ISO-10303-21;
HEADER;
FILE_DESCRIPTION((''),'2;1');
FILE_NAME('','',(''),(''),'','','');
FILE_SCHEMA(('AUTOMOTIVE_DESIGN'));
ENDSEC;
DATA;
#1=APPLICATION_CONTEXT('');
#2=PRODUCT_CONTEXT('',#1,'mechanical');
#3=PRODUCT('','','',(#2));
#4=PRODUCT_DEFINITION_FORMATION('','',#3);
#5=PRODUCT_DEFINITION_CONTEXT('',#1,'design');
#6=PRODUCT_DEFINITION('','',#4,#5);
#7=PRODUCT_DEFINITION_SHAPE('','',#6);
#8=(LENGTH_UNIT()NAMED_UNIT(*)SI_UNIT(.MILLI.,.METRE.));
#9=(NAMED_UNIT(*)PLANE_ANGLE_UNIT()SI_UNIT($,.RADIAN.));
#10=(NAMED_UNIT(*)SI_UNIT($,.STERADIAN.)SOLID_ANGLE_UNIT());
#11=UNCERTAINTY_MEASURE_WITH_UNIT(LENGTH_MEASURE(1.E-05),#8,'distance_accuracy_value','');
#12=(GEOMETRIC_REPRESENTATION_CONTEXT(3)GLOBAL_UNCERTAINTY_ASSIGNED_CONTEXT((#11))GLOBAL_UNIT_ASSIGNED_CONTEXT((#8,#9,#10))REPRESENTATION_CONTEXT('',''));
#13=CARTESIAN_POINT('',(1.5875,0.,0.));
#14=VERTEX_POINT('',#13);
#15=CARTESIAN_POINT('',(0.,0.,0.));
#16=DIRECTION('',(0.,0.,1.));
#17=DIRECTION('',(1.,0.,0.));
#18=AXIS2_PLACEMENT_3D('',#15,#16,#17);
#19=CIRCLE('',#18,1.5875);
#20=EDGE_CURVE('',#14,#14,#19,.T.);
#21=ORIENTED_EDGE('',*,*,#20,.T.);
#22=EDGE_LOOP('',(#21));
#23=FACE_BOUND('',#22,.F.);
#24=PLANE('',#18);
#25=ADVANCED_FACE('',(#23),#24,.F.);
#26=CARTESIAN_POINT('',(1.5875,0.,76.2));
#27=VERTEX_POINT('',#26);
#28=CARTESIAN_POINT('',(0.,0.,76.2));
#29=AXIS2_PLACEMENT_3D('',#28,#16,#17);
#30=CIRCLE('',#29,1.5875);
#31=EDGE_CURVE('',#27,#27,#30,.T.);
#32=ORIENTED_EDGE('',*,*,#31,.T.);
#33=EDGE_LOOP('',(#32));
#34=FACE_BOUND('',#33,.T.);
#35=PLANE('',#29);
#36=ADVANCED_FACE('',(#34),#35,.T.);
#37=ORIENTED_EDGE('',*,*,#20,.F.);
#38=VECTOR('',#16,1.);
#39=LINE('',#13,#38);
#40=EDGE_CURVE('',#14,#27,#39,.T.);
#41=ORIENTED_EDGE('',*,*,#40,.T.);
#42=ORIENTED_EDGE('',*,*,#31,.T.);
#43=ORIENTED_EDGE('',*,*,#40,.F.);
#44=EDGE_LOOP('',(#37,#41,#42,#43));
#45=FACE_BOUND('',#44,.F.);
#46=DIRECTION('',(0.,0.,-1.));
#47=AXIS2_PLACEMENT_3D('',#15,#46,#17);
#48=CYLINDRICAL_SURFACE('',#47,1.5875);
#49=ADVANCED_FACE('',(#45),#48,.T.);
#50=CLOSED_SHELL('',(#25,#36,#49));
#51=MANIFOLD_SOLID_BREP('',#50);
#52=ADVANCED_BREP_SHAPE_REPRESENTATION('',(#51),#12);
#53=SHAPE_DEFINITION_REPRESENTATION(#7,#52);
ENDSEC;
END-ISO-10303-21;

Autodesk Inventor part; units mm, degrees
ref_plane "YZ Plane" through (0, 0, 0) normal (1, 0, 0) x (0, 1, 0)
ref_plane "XZ Plane" through (0, 0, 0) normal (0, 1, 0) x (-1, 0, 0)
ref_plane "XY Plane" through (0, 0, 0) normal (0, 0, 1) x (1, 0, 0)
sketch "Sketch1" plane through (0, 0, 0) normal (0, 0, 1) x (1, 0, 0)
  circle A0 centre (0, 0) radius 1.5875
  dimension "d0" = 3.175
extrude "Extrusion1" add sketch "Sketch1" along normal blind 76.2
properties part number "carriageRideShaft" material "Stainless Steel"
